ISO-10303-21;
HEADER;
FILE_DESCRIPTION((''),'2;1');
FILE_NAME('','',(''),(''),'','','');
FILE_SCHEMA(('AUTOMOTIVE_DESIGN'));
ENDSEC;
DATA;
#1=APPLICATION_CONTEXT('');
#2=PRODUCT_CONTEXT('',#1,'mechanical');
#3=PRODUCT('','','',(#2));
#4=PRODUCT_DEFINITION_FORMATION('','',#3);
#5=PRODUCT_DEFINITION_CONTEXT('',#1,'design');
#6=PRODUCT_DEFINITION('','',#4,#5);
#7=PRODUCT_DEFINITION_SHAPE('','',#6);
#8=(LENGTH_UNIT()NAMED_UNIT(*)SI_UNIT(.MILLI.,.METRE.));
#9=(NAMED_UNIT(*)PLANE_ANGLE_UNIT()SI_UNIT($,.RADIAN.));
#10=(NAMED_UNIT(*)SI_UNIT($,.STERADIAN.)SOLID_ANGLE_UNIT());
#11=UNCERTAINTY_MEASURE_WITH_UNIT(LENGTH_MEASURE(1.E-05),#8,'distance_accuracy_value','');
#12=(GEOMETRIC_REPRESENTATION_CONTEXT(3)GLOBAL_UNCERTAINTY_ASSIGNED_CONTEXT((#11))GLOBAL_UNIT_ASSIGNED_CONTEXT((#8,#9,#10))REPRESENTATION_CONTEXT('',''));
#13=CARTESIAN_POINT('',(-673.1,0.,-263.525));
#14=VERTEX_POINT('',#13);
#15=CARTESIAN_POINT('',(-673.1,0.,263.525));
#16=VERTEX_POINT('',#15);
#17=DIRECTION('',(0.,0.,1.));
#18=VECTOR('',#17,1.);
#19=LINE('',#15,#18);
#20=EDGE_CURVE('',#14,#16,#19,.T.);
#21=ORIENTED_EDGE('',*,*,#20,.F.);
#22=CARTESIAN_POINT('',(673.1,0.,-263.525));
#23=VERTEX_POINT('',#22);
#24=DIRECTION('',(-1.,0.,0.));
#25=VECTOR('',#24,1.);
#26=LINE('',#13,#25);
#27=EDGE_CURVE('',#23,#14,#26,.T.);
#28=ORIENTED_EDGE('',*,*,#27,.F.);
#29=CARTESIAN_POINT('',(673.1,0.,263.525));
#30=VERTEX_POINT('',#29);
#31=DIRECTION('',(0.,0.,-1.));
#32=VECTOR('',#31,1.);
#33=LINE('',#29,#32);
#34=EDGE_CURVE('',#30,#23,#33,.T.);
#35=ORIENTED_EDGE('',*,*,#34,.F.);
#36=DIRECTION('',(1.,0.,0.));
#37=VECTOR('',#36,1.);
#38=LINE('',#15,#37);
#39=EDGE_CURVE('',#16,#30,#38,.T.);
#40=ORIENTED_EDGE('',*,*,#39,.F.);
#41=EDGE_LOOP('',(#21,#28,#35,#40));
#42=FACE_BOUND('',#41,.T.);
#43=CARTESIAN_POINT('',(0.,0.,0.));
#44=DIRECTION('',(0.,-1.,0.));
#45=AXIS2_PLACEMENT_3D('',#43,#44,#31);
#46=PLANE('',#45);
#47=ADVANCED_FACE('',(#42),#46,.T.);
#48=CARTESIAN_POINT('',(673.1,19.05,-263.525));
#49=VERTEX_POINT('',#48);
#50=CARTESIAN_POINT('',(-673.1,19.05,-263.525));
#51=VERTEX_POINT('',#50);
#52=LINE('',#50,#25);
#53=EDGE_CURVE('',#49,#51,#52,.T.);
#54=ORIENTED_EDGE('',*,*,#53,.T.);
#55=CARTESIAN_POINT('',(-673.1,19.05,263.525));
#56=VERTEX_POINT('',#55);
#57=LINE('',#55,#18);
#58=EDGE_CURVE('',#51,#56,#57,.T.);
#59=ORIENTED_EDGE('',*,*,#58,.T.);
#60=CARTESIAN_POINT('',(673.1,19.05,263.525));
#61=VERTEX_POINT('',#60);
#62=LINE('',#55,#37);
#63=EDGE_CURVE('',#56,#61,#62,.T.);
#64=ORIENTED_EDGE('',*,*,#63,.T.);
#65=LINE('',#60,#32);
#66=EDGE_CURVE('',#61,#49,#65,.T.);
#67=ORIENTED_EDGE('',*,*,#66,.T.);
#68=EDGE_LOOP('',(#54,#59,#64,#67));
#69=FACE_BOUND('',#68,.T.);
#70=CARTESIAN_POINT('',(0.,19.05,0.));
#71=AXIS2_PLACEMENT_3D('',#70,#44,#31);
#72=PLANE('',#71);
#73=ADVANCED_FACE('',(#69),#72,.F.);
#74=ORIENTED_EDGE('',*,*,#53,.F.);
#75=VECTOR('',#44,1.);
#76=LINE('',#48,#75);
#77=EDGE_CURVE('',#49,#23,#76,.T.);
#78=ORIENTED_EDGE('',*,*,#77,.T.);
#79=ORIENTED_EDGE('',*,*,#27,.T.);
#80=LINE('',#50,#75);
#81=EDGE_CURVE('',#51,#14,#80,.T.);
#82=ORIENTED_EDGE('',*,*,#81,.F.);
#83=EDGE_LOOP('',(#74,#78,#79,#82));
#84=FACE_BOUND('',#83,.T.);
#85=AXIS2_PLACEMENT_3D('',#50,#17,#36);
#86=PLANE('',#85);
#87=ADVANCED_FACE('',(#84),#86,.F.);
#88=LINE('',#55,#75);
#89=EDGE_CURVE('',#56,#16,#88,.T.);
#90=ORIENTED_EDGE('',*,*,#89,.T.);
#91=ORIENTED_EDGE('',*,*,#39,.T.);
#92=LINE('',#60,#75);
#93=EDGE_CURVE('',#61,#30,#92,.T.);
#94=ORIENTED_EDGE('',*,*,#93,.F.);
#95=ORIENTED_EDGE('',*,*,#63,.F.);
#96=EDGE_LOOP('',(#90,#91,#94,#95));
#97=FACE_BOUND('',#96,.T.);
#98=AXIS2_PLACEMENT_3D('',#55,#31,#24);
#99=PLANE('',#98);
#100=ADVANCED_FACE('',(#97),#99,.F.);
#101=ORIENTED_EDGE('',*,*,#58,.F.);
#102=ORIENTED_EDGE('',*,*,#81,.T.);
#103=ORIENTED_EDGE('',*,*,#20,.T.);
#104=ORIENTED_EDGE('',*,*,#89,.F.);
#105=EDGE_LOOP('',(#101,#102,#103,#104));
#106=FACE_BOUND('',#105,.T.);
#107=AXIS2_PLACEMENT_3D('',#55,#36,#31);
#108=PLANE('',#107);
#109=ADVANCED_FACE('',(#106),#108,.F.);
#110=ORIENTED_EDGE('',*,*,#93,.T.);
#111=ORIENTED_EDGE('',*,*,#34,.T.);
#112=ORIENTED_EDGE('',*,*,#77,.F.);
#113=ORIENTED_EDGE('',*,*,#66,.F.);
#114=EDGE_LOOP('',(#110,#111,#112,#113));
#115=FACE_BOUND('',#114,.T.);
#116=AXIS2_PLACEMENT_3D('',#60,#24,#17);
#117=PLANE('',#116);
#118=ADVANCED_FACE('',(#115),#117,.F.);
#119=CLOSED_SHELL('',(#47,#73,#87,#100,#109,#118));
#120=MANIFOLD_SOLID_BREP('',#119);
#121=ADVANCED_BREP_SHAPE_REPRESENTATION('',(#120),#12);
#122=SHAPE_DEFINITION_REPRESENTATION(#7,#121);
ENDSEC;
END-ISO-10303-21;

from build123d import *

# Parameters (mm, degrees)
SKETCH1_W           = 1346.2
SKETCH1_H           = 527.05
BOSS_EXTRUDE1_DEPTH = 19.05


with BuildPart() as part:
    # Sketch1 → Boss-Extrude1 (new body)
    with BuildSketch(Plane(origin=(0, 0, 0), x_dir=(1, 0, 0), z_dir=(0, 1, 0))):
        Rectangle(SKETCH1_W, SKETCH1_H)
    extrude(amount=BOSS_EXTRUDE1_DEPTH)


solid = part.part
